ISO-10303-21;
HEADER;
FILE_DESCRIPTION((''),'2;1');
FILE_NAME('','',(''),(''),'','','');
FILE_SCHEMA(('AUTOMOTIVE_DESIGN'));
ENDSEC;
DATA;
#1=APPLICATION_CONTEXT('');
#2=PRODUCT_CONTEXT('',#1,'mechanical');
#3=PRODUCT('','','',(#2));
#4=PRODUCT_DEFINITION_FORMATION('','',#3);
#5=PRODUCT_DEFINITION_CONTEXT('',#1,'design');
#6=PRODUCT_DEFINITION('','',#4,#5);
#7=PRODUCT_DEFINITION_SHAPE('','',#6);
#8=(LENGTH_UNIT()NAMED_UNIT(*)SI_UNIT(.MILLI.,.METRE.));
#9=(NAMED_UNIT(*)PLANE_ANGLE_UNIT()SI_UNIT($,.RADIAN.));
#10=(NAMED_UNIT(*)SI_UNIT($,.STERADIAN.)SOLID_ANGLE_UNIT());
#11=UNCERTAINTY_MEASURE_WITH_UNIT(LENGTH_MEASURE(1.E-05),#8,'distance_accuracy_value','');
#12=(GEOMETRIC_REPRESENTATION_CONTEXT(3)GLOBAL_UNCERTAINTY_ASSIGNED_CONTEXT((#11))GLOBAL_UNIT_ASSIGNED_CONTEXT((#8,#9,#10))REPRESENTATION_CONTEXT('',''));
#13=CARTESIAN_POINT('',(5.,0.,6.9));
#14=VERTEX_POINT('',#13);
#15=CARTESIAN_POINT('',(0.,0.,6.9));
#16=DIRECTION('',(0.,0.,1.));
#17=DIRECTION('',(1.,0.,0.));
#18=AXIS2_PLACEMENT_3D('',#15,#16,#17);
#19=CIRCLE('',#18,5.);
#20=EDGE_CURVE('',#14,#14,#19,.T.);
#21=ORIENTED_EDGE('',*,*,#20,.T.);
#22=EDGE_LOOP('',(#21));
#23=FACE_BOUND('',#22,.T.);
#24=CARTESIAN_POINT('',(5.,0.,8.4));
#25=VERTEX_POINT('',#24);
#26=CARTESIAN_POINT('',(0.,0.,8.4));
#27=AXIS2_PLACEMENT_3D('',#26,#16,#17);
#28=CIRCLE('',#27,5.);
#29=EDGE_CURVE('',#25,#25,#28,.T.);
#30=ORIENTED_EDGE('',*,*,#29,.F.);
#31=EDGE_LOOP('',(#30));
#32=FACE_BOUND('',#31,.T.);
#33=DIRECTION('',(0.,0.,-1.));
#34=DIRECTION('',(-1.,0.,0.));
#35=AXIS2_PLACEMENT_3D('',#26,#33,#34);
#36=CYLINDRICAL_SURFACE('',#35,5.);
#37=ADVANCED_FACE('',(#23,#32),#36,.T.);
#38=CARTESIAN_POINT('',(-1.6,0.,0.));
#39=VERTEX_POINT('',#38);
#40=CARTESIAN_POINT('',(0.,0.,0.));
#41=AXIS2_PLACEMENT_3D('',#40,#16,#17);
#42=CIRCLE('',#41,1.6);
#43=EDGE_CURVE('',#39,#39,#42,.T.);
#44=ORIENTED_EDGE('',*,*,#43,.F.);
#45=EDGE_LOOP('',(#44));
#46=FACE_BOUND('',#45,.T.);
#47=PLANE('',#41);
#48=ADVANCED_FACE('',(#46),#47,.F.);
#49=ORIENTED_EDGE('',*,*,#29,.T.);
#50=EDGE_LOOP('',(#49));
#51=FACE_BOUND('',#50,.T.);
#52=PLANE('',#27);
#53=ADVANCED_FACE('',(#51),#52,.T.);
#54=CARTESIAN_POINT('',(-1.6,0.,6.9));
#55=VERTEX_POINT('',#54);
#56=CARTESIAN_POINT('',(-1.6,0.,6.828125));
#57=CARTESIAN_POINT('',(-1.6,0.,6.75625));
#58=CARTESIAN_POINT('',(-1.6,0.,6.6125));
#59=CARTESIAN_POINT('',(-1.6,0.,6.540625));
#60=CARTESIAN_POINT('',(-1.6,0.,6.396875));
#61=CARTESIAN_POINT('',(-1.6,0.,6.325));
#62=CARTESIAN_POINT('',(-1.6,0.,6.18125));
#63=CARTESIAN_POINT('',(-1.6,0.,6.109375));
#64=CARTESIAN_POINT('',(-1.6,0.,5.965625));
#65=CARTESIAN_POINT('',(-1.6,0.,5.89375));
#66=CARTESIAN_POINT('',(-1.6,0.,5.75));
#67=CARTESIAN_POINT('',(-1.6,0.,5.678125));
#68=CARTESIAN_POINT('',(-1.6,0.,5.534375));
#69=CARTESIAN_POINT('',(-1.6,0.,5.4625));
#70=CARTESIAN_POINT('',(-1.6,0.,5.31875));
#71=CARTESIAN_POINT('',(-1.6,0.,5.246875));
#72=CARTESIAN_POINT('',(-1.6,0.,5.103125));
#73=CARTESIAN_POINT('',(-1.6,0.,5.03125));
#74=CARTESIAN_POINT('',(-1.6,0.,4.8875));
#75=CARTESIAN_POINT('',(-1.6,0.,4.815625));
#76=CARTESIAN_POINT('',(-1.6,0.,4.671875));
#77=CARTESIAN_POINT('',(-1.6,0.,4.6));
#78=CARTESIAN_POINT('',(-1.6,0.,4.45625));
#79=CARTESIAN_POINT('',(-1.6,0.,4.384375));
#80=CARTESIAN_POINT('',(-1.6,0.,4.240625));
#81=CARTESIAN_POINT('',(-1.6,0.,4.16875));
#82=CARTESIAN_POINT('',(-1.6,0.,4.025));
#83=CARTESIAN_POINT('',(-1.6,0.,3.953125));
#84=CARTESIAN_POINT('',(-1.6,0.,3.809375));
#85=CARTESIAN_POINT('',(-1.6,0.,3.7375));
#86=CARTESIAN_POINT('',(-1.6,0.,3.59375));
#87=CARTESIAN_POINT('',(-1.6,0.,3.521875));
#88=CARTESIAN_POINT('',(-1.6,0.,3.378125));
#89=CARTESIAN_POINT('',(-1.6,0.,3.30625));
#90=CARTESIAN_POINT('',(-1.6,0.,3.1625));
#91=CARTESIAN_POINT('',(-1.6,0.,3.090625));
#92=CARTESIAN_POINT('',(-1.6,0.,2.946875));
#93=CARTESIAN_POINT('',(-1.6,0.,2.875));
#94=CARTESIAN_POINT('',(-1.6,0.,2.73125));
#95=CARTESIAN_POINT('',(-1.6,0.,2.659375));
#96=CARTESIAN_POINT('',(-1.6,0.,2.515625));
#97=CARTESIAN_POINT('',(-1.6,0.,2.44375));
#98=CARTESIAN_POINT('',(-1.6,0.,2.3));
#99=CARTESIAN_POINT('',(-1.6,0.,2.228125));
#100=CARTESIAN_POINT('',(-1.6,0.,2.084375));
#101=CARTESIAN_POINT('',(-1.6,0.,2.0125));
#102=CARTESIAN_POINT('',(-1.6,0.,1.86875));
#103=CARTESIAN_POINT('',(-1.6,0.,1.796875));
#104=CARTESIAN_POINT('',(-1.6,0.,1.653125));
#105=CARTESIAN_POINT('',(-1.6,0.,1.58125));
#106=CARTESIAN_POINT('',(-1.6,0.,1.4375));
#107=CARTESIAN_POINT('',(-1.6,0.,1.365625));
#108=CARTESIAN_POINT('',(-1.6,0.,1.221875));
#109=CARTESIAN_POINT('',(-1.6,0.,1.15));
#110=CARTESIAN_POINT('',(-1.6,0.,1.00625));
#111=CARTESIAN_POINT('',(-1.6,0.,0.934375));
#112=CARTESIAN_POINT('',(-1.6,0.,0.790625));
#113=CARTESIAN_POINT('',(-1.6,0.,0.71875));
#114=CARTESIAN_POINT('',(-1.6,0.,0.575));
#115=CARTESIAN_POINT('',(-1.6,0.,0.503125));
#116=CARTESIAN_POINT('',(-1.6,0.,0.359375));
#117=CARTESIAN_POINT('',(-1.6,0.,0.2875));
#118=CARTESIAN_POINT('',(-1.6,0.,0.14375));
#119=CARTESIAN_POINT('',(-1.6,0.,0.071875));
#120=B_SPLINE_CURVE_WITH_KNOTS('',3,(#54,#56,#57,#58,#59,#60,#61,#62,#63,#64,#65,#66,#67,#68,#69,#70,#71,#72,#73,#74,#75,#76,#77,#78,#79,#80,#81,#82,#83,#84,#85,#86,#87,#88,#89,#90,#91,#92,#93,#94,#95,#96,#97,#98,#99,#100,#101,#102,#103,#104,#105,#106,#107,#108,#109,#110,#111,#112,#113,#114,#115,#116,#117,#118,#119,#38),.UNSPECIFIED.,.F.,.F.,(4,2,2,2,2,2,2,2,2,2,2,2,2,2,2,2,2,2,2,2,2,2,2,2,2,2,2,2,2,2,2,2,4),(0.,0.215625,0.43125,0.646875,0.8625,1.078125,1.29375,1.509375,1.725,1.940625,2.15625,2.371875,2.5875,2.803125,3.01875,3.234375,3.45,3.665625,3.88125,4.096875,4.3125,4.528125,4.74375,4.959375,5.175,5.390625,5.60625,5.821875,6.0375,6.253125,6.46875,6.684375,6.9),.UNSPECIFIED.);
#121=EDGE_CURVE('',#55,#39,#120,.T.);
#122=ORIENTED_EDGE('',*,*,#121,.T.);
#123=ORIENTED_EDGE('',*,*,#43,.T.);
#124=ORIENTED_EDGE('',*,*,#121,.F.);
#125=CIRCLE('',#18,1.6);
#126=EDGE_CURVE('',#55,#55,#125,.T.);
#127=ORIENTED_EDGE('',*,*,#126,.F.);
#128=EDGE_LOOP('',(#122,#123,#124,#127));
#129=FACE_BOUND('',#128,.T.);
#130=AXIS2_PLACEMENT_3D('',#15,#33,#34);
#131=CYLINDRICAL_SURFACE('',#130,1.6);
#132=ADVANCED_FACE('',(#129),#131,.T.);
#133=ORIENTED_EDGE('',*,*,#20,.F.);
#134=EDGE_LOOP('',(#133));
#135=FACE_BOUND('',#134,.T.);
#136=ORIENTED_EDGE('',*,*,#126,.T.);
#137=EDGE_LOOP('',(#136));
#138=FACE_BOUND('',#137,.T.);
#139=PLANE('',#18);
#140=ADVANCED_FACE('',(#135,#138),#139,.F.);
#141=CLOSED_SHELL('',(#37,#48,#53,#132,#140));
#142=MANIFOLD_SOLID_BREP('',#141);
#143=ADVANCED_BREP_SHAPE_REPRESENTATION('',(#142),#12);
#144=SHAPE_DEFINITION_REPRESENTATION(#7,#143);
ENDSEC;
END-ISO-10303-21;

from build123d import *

# Parameters (mm, degrees)
ESBO_O1_R                = 1.6
RESSALTO_EXTRUS_O1_DEPTH = 6.9
ESBO_O3_R                = 5
RESSALTO_EXTRUS_O2_DEPTH = 1.5


with BuildPart() as part:
    # Esboço1 → Ressalto-extrusão1 (new body)
    with BuildSketch(Plane.XY):
        with Locations(Location((0, 0, 0), (0, 0, 180))):
            Circle(ESBO_O1_R)
    extrude(amount=RESSALTO_EXTRUS_O1_DEPTH)

    # Esboço3 → Ressalto-extrusão2 (add)
    with BuildSketch(Plane.XY.offset(6.9)):
        Circle(ESBO_O3_R)
    extrude(amount=RESSALTO_EXTRUS_O2_DEPTH)


solid = part.part
